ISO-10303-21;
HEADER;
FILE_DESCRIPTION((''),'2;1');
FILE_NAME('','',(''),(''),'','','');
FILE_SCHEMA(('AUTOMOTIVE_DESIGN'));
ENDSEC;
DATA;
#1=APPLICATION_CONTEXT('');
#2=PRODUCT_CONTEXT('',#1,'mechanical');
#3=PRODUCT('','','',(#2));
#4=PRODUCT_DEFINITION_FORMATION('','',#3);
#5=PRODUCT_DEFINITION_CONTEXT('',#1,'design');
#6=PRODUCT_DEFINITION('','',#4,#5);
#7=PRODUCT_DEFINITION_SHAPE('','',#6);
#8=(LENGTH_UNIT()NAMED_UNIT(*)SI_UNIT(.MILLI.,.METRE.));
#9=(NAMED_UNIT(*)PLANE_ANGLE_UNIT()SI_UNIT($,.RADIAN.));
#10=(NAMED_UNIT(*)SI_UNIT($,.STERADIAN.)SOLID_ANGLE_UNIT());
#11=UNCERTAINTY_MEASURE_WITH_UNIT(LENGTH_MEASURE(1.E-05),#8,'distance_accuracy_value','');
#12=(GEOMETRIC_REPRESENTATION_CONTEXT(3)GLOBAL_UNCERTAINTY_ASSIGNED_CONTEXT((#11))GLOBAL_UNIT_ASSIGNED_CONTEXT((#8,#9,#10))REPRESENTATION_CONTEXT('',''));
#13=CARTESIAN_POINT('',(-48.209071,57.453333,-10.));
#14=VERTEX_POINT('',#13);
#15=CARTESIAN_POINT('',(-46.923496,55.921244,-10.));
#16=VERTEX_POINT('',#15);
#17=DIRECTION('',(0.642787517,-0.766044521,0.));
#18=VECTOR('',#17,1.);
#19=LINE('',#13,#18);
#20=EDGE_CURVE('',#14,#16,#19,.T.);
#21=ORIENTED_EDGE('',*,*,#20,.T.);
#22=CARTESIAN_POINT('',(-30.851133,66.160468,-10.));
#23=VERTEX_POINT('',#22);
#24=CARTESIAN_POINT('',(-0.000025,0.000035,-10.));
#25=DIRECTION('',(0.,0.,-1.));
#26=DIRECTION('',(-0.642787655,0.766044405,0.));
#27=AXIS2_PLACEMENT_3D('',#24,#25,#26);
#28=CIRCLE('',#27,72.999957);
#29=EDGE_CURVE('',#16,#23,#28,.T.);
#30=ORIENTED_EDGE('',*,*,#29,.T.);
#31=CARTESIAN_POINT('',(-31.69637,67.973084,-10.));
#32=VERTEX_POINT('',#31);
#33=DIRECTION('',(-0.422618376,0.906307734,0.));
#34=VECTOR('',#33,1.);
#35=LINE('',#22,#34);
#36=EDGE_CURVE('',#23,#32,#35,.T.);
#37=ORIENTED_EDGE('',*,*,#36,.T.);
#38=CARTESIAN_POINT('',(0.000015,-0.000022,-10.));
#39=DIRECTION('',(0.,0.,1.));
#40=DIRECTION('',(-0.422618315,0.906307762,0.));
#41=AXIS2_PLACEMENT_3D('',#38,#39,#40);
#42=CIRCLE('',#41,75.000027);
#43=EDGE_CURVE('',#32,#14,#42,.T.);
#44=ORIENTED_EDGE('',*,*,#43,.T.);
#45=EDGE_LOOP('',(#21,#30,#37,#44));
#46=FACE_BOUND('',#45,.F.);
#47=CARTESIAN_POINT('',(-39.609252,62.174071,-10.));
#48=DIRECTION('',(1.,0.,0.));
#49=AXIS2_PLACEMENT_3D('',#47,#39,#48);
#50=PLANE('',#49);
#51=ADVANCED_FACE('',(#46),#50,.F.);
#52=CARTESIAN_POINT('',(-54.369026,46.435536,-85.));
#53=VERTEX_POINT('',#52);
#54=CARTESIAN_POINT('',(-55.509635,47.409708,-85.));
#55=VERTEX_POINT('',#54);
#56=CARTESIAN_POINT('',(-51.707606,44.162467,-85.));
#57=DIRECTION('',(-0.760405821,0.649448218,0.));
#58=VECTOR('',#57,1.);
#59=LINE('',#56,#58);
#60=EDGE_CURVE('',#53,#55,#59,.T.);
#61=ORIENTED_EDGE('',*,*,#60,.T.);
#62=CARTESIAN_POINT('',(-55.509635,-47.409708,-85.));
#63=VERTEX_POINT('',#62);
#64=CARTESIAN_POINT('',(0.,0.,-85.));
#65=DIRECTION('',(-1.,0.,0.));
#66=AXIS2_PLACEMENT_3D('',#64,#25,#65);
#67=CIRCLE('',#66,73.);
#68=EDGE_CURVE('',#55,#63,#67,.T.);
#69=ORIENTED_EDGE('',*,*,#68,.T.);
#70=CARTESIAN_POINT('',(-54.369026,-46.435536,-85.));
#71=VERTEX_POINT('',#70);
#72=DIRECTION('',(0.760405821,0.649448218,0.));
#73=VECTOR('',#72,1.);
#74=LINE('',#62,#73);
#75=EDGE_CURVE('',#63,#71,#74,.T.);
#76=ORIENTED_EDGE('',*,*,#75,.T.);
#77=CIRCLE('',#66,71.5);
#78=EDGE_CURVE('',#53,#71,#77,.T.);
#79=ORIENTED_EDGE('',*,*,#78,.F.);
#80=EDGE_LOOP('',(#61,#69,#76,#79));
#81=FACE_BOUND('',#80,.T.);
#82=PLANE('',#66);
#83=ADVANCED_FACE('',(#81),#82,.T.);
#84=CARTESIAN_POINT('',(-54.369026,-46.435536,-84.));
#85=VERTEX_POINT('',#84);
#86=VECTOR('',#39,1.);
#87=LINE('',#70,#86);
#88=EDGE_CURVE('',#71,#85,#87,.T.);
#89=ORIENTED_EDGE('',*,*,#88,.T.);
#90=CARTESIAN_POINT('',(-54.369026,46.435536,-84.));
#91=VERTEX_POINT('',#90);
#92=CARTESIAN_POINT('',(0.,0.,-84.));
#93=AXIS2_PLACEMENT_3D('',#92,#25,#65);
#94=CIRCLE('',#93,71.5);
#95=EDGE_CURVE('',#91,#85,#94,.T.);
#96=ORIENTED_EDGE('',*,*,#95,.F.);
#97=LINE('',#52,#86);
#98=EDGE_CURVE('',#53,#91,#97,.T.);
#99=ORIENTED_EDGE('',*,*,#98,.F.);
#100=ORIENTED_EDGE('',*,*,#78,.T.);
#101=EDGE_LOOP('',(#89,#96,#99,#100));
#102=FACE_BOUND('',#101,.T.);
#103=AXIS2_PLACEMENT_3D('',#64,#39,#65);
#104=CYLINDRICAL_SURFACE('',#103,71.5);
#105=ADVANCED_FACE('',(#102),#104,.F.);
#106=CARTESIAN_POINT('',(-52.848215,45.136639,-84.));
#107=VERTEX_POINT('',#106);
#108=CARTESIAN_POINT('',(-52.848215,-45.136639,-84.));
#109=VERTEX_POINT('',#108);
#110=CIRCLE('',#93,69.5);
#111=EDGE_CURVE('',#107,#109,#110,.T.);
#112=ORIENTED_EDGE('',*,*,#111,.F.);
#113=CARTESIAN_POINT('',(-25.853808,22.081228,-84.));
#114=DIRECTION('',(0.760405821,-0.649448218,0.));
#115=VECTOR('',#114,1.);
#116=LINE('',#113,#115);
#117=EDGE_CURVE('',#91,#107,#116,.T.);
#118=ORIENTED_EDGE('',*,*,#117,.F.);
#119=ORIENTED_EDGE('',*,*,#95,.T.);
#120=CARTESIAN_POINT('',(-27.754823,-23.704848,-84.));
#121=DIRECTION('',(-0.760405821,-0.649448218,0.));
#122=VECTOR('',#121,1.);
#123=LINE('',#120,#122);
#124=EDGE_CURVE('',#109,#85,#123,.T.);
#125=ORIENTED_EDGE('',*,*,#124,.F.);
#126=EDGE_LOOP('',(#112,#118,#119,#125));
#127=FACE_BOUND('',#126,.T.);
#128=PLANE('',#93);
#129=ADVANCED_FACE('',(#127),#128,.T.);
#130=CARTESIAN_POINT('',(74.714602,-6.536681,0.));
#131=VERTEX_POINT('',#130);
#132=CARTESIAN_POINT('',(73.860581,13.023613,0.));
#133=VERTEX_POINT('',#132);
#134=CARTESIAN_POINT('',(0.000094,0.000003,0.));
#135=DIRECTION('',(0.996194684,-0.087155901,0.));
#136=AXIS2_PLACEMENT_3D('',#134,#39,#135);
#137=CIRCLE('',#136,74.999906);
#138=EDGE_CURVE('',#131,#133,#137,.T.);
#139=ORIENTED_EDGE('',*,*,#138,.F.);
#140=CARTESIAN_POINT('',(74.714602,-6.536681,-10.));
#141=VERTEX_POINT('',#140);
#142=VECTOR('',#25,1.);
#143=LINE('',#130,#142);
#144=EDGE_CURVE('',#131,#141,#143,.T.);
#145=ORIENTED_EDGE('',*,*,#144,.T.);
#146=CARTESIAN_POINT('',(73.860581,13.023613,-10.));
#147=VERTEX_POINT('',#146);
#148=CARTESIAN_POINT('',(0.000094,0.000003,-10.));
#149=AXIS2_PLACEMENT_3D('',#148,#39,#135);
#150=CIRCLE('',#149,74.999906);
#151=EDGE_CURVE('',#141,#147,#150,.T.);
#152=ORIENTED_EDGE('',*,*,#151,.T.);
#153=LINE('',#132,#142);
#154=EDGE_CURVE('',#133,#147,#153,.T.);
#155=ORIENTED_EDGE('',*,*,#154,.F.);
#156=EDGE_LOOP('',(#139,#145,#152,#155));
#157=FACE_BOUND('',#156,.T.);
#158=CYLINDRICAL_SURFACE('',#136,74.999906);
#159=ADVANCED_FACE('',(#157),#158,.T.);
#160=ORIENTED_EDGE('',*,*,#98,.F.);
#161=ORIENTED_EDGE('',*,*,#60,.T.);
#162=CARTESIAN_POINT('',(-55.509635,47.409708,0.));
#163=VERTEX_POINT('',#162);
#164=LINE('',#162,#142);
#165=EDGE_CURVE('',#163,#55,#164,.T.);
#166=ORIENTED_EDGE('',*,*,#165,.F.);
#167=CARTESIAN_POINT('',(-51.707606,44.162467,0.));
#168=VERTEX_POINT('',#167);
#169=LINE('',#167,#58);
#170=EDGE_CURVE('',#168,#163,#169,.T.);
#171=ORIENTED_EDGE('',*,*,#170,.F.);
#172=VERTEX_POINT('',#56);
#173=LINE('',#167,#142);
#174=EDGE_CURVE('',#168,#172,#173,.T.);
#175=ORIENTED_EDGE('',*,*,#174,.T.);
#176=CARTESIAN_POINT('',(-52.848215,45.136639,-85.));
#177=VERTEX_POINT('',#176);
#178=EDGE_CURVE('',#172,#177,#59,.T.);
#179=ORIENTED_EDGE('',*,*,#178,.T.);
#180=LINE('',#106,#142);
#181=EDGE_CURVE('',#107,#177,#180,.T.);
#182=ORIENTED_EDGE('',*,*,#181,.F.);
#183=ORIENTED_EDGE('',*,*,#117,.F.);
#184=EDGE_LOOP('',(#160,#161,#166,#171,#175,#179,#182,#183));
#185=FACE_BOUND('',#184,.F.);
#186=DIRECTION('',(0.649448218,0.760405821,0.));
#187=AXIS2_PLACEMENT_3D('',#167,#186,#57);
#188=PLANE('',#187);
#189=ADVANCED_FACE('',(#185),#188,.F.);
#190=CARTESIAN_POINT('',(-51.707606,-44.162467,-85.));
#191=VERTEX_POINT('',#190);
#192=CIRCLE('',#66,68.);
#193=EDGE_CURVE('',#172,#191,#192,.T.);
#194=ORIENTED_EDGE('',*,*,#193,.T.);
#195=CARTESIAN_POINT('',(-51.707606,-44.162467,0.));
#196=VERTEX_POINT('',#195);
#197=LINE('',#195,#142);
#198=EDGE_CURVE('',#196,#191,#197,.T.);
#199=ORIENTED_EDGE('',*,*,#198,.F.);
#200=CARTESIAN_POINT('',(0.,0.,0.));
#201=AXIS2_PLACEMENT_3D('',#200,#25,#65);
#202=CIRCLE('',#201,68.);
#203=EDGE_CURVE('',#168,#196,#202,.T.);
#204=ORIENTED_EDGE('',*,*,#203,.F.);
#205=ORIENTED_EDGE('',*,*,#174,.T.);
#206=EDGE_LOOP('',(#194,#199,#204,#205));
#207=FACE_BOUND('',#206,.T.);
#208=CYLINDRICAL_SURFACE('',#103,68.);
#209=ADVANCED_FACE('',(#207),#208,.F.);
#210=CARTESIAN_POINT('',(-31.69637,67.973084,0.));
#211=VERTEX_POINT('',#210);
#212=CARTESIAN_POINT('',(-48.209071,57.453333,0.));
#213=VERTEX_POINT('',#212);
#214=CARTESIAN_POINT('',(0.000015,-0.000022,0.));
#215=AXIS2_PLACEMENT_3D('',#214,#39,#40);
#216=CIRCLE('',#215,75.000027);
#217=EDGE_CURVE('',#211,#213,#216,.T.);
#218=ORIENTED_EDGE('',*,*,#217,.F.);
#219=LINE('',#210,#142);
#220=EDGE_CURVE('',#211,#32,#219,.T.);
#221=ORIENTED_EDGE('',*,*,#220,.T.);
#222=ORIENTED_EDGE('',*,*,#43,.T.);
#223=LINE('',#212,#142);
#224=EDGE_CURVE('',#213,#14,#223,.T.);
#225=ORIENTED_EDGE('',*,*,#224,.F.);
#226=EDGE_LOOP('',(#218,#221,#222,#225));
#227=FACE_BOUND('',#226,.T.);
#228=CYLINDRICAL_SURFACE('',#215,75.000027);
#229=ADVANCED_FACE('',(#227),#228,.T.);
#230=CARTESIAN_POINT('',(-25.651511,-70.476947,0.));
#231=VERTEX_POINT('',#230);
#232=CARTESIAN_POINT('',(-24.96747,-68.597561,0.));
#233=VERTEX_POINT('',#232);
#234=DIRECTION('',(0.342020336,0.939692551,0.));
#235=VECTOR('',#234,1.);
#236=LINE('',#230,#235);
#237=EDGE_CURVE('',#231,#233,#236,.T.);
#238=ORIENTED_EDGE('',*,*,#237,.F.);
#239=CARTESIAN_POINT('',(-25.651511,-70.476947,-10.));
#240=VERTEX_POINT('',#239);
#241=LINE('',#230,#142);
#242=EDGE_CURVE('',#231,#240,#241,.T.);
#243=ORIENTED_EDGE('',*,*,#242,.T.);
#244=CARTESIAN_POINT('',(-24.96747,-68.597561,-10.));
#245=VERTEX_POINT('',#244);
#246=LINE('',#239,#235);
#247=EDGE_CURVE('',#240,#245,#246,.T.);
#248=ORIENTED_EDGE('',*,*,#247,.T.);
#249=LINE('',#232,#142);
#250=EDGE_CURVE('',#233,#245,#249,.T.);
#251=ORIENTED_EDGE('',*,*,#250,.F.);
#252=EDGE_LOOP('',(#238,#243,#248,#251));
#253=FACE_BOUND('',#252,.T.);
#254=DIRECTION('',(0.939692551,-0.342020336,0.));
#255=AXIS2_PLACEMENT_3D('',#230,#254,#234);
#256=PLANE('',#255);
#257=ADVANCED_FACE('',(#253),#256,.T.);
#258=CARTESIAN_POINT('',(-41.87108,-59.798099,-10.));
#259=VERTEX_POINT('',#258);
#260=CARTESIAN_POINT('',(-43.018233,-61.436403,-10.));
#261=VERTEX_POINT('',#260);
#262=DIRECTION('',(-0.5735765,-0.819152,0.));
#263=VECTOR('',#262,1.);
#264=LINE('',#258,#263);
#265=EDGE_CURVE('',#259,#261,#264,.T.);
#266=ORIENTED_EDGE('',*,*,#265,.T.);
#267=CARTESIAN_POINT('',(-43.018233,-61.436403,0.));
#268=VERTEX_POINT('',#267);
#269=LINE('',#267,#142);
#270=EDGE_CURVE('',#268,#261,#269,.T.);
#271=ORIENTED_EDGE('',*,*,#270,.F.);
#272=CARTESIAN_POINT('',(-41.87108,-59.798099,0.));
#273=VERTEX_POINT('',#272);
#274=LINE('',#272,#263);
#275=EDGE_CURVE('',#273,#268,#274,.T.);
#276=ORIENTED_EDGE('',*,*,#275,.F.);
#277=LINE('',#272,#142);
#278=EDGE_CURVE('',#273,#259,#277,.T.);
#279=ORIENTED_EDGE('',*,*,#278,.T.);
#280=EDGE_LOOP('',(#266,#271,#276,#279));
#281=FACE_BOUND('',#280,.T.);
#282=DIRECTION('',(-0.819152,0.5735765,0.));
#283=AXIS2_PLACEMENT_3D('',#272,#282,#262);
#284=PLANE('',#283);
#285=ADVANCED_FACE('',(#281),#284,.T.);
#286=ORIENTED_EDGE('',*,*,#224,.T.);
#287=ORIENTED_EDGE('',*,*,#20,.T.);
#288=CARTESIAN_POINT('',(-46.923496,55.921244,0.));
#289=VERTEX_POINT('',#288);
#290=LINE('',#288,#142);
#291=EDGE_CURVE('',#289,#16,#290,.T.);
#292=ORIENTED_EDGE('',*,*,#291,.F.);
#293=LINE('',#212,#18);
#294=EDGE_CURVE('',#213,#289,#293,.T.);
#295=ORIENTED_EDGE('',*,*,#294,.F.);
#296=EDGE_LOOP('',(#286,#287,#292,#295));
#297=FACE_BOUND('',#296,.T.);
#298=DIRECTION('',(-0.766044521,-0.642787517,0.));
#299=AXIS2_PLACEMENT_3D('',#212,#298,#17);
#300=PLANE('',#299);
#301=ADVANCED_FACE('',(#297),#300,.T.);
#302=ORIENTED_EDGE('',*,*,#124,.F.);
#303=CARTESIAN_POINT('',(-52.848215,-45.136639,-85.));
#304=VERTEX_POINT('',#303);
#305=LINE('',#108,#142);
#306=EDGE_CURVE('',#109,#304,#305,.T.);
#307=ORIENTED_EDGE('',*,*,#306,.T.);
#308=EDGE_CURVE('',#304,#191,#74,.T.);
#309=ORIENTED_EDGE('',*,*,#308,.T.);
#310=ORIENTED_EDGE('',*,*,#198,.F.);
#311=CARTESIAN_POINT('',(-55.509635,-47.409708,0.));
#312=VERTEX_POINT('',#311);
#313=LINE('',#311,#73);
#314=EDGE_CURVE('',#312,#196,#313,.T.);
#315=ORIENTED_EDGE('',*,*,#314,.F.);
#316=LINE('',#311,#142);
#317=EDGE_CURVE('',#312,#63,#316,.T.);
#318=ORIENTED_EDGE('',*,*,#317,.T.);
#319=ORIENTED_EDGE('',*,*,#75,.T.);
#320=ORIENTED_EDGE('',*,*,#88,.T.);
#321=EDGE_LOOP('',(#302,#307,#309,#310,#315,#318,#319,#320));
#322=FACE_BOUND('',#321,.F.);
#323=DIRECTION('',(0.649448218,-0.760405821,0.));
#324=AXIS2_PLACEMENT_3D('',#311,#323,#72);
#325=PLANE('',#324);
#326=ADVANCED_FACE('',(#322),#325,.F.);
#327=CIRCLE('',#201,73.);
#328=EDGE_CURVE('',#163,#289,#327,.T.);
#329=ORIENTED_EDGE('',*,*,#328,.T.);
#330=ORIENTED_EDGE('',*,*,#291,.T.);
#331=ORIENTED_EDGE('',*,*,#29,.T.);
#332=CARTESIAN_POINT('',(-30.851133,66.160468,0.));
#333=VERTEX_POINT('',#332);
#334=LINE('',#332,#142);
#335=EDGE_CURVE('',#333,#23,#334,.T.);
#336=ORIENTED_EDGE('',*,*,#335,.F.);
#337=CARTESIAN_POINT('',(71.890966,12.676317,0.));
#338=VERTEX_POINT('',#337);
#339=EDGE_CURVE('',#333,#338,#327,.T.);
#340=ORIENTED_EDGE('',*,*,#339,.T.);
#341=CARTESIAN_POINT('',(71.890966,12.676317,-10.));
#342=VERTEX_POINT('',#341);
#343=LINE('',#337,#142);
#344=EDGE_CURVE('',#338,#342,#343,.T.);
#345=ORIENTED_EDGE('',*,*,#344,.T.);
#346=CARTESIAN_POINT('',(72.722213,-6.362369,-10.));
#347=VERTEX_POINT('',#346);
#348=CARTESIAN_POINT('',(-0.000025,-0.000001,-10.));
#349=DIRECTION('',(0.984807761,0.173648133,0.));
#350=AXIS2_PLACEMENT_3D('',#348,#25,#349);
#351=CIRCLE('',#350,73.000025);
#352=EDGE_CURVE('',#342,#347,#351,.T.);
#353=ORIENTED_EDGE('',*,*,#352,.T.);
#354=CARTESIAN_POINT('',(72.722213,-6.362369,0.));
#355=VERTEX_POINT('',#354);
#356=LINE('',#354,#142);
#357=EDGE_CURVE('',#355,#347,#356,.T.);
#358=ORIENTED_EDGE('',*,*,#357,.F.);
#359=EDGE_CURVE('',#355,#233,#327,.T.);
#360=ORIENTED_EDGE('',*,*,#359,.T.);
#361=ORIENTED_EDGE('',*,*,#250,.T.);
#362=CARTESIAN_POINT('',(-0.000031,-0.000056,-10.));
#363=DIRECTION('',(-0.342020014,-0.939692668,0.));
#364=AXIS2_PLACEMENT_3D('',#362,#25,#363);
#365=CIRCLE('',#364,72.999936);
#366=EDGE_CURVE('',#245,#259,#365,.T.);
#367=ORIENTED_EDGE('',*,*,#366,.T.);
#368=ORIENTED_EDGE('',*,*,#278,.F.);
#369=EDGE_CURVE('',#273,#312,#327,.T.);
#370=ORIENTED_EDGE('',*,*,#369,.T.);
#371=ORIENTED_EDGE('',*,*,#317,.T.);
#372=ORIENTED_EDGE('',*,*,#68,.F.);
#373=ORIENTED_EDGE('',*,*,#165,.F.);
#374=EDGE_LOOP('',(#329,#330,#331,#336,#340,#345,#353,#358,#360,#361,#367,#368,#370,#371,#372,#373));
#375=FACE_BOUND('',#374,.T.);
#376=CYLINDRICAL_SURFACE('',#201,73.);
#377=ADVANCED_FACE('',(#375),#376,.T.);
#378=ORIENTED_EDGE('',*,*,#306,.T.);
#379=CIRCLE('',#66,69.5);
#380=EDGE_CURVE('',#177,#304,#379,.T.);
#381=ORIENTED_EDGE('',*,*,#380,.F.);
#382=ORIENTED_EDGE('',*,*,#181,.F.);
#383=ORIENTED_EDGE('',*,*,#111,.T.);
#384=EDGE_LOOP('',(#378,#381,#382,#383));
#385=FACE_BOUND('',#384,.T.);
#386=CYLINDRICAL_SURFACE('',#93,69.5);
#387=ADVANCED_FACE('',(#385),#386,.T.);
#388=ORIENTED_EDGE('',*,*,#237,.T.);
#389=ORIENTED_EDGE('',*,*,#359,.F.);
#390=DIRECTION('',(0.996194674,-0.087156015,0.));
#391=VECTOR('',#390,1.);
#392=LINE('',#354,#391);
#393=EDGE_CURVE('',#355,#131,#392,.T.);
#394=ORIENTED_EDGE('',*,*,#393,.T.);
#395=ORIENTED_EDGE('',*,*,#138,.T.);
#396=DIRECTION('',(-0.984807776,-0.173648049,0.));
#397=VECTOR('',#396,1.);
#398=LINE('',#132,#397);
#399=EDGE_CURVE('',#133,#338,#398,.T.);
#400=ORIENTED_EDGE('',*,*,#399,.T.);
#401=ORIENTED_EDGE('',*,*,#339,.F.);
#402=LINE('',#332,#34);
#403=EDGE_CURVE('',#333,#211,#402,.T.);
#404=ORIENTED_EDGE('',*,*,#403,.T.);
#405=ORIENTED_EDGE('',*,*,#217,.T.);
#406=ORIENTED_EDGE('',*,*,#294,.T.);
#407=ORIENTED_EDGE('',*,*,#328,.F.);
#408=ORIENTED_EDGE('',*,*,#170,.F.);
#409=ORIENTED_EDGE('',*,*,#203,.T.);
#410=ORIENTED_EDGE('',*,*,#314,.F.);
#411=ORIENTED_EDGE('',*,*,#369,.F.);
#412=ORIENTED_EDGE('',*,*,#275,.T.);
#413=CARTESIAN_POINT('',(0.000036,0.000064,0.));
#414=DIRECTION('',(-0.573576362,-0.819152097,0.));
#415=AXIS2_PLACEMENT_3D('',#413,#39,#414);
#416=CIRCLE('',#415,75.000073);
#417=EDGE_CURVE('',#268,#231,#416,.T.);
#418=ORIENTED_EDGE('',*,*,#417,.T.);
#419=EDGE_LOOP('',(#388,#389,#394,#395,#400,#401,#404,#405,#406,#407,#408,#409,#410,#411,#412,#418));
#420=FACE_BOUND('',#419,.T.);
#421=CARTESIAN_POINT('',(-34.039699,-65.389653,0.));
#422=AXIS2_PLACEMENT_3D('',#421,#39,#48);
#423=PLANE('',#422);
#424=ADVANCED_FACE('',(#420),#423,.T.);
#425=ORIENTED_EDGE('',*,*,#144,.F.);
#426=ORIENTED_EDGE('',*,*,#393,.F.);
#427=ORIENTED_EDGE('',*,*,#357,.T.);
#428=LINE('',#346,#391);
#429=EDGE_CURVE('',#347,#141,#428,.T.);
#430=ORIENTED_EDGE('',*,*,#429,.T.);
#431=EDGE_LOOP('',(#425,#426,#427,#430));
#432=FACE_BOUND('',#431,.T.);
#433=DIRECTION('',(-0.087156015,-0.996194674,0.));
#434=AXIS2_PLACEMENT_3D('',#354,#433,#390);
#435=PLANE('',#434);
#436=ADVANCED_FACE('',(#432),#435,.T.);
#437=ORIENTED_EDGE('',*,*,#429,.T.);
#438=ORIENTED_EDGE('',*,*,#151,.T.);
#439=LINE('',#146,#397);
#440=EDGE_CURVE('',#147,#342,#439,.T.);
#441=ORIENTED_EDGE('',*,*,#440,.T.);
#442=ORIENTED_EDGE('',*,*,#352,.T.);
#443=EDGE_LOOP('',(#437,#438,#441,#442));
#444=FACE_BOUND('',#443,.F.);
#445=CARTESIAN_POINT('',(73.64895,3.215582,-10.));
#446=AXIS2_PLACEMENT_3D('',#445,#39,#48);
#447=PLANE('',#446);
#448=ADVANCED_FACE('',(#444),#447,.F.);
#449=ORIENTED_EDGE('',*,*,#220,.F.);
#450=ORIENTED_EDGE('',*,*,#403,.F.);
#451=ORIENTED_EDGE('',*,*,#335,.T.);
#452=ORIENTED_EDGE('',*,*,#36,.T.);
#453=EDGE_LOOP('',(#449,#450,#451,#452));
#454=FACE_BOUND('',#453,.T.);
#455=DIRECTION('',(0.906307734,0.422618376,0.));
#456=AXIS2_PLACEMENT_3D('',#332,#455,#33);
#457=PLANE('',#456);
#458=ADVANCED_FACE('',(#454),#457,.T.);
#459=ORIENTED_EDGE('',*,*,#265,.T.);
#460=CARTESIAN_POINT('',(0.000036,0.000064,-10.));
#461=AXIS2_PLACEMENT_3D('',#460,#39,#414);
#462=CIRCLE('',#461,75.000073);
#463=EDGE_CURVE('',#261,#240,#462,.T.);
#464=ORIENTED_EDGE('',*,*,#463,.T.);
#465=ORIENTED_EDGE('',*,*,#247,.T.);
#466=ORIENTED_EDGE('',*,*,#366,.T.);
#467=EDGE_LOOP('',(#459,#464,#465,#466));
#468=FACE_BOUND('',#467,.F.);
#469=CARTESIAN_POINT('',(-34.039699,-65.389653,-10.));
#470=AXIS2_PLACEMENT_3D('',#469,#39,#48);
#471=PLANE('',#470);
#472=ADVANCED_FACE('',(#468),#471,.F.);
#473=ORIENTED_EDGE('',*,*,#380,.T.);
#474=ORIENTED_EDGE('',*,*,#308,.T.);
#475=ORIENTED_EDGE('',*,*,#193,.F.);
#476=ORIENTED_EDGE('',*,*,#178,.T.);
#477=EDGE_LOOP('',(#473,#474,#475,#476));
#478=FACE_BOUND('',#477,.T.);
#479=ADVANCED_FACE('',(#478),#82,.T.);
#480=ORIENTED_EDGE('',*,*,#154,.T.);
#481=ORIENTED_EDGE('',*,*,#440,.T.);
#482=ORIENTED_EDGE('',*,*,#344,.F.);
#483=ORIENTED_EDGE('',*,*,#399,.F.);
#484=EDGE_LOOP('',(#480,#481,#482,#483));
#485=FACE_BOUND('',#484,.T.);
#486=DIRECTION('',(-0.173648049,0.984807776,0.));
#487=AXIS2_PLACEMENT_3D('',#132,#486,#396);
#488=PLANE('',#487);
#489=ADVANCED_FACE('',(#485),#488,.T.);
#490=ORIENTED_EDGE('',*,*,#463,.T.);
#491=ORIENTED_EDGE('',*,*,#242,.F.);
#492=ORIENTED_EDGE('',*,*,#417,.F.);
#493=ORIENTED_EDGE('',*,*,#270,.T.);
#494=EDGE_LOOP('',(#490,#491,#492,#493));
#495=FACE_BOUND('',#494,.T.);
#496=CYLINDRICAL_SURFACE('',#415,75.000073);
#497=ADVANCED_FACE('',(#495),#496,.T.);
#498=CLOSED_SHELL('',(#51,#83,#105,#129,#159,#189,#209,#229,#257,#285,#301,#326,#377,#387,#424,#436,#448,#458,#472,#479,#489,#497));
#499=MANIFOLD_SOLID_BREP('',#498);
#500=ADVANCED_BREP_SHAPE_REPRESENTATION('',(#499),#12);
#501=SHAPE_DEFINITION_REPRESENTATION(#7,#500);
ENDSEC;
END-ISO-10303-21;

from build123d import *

# Parameters (mm, degrees)
F3_DEPTH = 10
F5_DEPTH = 85


with BuildPart() as f1:
    # F0 (on Front) → F1 (revolve)
    with BuildSketch(Plane.XZ):
        Polygon((-68, 0), (-73, 0), (-73, -85), (-71.5, -85), (-71.5, -84), (-69.5, -84), (-69.5, -85), (-68, -85), align=None)
    revolve(axis=Axis((0, 0, -12.456594), (0, 0, -1)))

    # F2 (on face) → F3 (join)
    with BuildSketch(Plane.XY):
        with BuildLine():
            Line((-25.651511, -70.476947), (-24.96747, -68.597561))
            ThreePointArc((-24.96747, -68.597561), (-33.707649, -64.751791), (-41.87108, -59.798099))
            Line((-41.87108, -59.798099), (-43.018233, -61.436403))
            ThreePointArc((-43.018233, -61.436403), (-34.631146, -66.525812), (-25.651511, -70.476947))
        make_face()
        with BuildLine():
            Line((73.860581, 13.023613), (71.890966, 12.676317))
            ThreePointArc((71.890966, 12.676317), (72.93052, 3.184215), (72.722213, -6.362369))
            Line((72.722213, -6.362369), (74.714602, -6.536681))
            ThreePointArc((74.714602, -6.536681), (74.928617, 3.271454), (73.860581, 13.023613))
        make_face()
        with BuildLine():
            Line((-48.209071, 57.453333), (-46.923496, 55.921244))
            ThreePointArc((-46.923496, 55.921244), (-39.222871, 61.567576), (-30.851133, 66.160468))
            Line((-30.851133, 66.160468), (-31.69637, 67.973084))
            ThreePointArc((-31.69637, 67.973084), (-40.297471, 63.254358), (-48.209071, 57.453333))
        make_face()
    extrude(amount=-F3_DEPTH)

    # F4 (on face) → F5 (cut, through all)
    with BuildSketch(Plane.XY):
        with BuildLine():
            ThreePointArc((-55.509635, 47.409708), (-73, 0), (-55.509635, -47.409708))
            Line((-55.509635, -47.409708), (-51.707606, -44.162467))
            ThreePointArc((-51.707606, -44.162467), (-68, 0), (-51.707606, 44.162467))
            Line((-51.707606, 44.162467), (-55.509635, 47.409708))
        make_face()
    extrude(amount=-F5_DEPTH, mode=Mode.SUBTRACT)


solid = f1.part
